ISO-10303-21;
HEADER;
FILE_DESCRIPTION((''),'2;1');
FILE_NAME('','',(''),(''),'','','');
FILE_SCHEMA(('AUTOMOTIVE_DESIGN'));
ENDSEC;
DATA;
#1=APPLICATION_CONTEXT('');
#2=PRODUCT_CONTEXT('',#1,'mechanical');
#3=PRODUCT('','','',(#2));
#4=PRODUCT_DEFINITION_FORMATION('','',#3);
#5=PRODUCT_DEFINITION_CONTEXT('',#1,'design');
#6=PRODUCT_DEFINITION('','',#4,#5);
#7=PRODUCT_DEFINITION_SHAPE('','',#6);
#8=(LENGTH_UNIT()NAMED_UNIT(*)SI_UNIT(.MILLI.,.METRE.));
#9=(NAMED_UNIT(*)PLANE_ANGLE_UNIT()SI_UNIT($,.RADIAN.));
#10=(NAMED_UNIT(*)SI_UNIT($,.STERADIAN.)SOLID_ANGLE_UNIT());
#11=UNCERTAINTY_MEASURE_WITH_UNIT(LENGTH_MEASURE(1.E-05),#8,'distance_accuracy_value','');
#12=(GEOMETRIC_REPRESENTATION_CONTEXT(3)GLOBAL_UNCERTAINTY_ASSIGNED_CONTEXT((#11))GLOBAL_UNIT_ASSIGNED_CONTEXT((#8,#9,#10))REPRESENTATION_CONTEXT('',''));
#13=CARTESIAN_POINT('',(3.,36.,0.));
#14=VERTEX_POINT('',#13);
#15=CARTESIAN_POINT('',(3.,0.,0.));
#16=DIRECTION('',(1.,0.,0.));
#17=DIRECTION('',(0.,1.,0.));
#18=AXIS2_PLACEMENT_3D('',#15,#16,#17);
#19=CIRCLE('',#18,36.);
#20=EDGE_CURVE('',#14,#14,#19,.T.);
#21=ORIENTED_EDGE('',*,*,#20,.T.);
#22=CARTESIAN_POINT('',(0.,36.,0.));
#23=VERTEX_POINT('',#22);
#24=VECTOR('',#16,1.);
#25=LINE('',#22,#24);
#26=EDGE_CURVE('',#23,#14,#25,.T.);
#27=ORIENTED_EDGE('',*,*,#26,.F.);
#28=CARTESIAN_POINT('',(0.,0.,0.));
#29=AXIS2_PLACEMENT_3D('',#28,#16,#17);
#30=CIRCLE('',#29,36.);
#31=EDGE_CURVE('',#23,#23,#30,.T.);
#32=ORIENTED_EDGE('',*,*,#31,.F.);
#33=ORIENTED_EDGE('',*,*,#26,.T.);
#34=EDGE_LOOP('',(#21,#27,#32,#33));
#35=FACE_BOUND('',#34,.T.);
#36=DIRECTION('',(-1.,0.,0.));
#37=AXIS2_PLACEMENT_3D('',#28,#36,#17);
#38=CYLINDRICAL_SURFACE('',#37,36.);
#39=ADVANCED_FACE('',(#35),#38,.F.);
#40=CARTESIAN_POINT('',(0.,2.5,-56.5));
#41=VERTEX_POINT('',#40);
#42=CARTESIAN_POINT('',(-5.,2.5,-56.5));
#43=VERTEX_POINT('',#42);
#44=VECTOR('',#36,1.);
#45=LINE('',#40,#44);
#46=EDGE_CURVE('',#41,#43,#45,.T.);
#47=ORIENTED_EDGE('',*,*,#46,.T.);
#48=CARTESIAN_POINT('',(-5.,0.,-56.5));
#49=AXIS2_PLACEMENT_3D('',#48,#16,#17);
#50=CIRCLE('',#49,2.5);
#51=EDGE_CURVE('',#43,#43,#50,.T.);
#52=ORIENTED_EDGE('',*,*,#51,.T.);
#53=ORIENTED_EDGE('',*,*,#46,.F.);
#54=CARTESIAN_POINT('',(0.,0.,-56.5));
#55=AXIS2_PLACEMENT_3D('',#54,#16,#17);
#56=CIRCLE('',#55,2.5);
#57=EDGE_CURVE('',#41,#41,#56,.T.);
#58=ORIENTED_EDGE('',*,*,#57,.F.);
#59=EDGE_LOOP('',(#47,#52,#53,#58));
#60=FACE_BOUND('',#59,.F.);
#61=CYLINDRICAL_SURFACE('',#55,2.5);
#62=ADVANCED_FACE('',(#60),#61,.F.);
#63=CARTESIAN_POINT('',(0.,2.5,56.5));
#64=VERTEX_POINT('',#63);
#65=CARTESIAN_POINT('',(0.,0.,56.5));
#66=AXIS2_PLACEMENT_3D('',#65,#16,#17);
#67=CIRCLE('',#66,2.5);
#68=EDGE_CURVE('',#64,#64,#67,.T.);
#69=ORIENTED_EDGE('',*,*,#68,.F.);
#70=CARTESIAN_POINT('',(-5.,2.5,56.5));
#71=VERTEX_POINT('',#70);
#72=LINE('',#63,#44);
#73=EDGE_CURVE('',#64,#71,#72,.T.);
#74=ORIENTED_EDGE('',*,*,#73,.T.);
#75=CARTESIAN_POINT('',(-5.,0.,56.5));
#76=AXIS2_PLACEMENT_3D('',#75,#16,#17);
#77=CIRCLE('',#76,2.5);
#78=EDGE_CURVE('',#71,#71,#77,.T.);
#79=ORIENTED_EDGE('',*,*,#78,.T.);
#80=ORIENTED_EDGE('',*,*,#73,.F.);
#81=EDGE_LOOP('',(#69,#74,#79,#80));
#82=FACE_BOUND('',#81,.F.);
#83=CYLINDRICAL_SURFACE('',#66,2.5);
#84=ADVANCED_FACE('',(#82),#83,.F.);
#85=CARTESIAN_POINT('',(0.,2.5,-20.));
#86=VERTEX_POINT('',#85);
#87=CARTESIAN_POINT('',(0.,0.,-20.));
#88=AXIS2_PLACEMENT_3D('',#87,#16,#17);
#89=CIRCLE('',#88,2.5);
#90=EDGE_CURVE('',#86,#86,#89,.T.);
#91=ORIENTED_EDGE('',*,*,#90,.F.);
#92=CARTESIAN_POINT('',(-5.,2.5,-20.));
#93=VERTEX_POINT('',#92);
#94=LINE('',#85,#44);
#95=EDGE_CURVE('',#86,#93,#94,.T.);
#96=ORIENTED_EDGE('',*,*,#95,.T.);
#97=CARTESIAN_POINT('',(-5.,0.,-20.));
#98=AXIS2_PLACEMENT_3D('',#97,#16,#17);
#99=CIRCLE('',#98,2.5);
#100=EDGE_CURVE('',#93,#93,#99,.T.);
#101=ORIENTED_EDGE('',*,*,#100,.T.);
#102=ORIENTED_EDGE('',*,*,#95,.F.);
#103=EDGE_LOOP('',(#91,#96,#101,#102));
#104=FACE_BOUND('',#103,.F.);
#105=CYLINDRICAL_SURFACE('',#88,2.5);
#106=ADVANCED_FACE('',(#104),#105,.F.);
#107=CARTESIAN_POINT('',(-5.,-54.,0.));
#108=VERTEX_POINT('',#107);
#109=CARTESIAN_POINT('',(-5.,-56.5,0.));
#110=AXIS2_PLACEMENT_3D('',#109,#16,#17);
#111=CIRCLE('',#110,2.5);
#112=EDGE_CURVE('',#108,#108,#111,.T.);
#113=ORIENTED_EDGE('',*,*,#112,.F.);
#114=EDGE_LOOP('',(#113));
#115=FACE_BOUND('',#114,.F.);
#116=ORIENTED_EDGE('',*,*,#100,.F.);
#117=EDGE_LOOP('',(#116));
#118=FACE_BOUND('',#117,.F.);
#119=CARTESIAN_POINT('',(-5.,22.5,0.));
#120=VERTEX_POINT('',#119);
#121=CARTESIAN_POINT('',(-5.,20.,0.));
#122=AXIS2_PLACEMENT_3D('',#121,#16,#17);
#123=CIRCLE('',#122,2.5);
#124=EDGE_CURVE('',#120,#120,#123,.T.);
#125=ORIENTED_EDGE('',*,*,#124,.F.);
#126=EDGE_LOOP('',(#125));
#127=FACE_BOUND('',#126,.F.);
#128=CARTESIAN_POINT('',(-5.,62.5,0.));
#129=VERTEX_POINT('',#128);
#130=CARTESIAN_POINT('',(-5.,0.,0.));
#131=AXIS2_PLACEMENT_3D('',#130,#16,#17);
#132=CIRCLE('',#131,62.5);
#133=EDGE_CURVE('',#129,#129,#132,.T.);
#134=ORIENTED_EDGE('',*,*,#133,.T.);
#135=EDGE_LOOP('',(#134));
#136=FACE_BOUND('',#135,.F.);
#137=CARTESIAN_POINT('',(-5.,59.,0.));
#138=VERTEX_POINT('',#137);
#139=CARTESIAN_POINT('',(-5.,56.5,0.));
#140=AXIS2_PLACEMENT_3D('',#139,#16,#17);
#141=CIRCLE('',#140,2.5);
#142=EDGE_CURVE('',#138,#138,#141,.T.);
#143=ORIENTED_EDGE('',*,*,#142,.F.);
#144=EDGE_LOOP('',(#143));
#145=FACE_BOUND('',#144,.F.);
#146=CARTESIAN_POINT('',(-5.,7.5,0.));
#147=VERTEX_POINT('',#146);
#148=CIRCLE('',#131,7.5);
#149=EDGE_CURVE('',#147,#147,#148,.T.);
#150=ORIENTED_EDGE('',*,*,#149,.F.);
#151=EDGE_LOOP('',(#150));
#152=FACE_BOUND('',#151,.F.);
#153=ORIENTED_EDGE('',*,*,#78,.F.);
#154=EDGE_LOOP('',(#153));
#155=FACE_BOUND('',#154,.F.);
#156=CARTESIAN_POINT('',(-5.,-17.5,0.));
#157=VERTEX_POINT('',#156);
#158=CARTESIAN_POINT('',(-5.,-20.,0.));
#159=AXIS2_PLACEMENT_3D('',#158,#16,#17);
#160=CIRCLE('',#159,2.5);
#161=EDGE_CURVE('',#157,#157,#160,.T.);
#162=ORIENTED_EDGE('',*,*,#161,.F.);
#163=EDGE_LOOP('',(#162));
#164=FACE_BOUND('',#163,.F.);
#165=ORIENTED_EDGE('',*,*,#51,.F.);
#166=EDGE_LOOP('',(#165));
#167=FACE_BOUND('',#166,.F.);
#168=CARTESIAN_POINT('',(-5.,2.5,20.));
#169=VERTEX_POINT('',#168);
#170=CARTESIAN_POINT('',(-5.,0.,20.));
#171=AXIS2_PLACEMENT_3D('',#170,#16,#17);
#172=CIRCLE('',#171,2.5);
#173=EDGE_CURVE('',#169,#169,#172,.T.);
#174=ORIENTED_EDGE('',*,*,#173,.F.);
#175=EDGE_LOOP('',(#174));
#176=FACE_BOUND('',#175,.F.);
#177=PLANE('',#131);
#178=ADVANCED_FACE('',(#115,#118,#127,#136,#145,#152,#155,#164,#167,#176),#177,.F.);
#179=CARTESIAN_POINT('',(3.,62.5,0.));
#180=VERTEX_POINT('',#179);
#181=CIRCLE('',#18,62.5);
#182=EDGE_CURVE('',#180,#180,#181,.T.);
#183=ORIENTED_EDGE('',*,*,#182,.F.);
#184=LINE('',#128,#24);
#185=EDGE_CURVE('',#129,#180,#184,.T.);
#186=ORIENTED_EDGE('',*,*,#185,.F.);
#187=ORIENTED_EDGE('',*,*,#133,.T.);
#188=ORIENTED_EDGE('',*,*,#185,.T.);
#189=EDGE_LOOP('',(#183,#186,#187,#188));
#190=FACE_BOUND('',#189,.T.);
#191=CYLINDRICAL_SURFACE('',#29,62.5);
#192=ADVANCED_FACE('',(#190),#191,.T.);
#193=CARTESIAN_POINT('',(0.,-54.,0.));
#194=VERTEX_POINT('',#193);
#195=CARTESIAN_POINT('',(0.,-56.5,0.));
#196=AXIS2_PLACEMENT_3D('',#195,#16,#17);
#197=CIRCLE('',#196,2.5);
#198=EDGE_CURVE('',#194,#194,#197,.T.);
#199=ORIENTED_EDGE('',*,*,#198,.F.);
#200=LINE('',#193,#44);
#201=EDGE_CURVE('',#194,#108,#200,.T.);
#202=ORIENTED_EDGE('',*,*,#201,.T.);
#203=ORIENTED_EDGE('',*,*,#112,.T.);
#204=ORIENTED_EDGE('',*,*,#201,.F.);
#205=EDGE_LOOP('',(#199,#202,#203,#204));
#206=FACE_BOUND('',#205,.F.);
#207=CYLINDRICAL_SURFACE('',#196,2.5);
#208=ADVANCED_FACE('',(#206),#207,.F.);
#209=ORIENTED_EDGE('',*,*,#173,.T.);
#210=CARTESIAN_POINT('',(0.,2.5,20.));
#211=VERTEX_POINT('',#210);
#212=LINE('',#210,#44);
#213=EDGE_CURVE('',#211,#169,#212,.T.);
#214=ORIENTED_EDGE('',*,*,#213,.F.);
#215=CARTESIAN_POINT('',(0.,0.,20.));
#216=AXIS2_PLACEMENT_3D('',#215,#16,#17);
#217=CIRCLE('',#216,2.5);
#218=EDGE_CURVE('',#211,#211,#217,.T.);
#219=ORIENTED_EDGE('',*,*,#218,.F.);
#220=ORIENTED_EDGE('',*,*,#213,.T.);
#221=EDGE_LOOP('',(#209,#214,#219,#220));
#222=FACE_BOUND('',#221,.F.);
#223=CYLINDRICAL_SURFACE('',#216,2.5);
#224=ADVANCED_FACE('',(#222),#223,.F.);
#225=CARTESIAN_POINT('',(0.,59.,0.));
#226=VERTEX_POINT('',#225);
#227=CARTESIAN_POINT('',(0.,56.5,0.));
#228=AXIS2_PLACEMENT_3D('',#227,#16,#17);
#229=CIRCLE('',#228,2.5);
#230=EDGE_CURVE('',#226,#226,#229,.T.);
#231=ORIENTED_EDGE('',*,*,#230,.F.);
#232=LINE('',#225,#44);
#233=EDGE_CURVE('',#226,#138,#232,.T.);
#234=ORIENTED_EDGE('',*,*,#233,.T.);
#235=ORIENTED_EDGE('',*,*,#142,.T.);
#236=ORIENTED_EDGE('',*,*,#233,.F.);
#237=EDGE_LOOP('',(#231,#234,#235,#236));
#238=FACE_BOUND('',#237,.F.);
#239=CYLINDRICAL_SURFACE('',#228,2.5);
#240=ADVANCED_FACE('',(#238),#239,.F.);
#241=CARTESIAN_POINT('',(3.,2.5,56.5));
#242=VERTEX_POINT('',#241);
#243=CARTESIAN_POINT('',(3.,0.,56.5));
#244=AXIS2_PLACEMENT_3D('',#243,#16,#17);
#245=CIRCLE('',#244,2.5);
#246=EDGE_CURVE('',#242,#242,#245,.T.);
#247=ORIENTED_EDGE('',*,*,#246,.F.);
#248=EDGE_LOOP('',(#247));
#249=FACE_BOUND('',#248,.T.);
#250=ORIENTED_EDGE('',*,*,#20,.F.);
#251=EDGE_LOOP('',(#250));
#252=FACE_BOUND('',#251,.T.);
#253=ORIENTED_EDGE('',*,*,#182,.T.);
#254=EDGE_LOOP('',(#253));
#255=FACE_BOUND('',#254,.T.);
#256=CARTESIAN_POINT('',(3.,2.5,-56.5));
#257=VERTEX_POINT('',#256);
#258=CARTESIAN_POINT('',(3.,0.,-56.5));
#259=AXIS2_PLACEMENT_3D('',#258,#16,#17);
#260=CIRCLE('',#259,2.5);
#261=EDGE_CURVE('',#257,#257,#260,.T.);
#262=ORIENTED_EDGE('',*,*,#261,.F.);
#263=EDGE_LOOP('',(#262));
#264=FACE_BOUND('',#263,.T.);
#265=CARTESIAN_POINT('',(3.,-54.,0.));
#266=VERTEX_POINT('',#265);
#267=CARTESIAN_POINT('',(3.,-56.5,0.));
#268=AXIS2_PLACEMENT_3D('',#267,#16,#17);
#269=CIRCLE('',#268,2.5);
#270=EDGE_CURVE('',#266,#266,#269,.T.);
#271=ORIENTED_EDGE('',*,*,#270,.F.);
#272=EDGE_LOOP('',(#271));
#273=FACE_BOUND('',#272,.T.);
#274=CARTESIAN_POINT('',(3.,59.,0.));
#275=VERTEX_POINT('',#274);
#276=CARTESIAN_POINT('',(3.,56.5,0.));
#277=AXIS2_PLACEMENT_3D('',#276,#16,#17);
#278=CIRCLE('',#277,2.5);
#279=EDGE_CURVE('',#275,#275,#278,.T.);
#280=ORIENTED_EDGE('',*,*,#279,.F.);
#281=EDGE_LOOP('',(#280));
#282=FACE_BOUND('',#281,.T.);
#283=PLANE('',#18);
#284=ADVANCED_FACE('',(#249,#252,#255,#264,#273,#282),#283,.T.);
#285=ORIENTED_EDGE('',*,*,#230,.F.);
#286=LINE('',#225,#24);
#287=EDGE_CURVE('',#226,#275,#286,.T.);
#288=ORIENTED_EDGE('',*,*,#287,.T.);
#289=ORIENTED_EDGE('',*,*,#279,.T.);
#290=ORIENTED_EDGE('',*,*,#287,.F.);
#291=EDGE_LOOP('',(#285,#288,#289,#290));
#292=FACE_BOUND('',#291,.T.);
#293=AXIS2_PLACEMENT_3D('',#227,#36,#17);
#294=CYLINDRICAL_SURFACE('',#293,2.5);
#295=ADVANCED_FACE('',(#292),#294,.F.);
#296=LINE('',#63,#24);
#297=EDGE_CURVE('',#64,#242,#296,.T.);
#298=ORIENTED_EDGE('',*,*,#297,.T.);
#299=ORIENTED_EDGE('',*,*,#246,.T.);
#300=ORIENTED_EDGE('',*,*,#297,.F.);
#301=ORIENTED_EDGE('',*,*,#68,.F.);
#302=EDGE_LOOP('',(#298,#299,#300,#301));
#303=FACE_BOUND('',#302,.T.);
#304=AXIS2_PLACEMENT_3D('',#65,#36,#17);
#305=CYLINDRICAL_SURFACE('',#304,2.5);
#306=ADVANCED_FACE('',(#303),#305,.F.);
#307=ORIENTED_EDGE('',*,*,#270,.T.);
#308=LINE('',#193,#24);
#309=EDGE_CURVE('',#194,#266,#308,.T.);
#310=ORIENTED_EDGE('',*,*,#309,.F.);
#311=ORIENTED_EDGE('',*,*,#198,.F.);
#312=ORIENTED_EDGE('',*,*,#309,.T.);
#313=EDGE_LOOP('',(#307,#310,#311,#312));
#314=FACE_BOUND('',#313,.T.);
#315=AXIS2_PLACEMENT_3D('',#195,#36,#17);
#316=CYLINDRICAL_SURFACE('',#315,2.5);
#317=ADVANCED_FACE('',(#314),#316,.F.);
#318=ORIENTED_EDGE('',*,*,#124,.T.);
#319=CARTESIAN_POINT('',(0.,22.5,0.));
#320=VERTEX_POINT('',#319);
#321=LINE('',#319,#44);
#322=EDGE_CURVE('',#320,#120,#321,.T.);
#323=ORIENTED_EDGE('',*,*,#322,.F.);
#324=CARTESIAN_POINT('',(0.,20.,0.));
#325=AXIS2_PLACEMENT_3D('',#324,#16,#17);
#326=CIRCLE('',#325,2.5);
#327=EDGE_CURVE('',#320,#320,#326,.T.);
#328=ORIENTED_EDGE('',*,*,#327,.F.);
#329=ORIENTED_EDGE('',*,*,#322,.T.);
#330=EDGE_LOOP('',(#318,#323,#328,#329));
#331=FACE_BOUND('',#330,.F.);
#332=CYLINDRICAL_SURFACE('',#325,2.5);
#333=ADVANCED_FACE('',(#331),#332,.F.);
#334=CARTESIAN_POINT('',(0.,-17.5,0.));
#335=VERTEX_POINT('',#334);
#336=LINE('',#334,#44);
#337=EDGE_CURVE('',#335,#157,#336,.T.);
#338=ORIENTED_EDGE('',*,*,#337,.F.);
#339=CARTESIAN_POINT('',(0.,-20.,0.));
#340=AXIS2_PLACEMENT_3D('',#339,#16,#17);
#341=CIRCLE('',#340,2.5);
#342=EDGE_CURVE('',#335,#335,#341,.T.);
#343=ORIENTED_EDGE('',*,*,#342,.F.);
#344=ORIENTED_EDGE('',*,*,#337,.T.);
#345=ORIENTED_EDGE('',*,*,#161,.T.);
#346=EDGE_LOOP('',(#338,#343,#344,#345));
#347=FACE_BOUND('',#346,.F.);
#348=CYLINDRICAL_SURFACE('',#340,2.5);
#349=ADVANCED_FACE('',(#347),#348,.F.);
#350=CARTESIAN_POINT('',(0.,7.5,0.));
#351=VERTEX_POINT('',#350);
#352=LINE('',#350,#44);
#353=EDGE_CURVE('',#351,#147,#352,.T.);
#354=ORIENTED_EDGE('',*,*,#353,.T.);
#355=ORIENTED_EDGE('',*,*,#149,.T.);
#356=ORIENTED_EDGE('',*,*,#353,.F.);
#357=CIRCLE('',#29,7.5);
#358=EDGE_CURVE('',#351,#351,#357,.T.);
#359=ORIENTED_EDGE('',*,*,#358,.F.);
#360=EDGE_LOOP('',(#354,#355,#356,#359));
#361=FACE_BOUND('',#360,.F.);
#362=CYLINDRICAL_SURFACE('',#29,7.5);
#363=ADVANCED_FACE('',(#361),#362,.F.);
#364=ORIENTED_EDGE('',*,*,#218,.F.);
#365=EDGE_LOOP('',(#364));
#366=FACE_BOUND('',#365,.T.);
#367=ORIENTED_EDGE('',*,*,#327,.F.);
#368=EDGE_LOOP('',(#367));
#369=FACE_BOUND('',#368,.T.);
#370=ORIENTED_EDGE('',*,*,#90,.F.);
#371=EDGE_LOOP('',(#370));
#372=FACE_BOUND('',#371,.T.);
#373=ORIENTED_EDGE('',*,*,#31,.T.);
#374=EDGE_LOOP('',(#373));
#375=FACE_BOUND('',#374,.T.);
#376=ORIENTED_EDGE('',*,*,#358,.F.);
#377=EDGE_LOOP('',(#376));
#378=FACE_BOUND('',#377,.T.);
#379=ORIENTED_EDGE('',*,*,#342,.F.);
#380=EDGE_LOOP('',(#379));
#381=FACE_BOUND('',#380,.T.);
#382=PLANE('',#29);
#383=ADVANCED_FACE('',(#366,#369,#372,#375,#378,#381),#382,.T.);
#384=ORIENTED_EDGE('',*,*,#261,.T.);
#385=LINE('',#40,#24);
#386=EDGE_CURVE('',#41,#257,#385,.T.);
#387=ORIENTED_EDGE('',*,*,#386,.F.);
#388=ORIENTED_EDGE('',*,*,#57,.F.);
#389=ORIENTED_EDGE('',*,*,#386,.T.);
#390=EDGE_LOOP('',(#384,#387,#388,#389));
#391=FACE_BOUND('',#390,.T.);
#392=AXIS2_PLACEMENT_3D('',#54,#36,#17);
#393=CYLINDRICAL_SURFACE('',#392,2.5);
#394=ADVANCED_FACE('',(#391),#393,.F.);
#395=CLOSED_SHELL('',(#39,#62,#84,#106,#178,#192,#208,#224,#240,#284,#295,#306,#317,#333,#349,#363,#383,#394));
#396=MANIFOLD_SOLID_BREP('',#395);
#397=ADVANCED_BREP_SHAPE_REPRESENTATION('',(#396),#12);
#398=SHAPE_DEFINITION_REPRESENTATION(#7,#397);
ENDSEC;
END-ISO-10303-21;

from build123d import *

# Parameters (mm, degrees)
F0_R     = 62.5
F0_R_2   = 2.5
F0_R_3   = 36
F1_DEPTH = 3
F0_R_4   = 7.5
F2_DEPTH = 5


with BuildPart() as f1:
    # F0 (on Right) → F1 (new body)
    with BuildSketch(Plane.YZ):
        Circle(F0_R)
        with Locations((0, -56.5)):
            Circle(F0_R_2, mode=Mode.SUBTRACT)
        with Locations((-56.5, 0)):
            Circle(F0_R_2, mode=Mode.SUBTRACT)
        Circle(F0_R_3, mode=Mode.SUBTRACT)
        with Locations((56.5, 0)):
            Circle(F0_R_2, mode=Mode.SUBTRACT)
        with Locations((0, 56.5)):
            Circle(F0_R_2, mode=Mode.SUBTRACT)
    extrude(amount=F1_DEPTH)

    # F0 (on Right) → F2 (join)
    with BuildSketch(Plane.YZ):
        Circle(F0_R)
        with Locations((0, -56.5)):
            Circle(F0_R_2, mode=Mode.SUBTRACT)
        with Locations((-56.5, 0)):
            Circle(F0_R_2, mode=Mode.SUBTRACT)
        Circle(F0_R_3, mode=Mode.SUBTRACT)
        with Locations((56.5, 0)):
            Circle(F0_R_2, mode=Mode.SUBTRACT)
        with Locations((0, 56.5)):
            Circle(F0_R_2, mode=Mode.SUBTRACT)
        Circle(F0_R_3)
        with Locations((0, -20)):
            Circle(F0_R_2, mode=Mode.SUBTRACT)
        with Locations((-20, 0)):
            Circle(F0_R_2, mode=Mode.SUBTRACT)
        Circle(F0_R_4, mode=Mode.SUBTRACT)
        with Locations((20, 0)):
            Circle(F0_R_2, mode=Mode.SUBTRACT)
        with Locations((0, 20)):
            Circle(F0_R_2, mode=Mode.SUBTRACT)
    extrude(amount=-F2_DEPTH)


solid = f1.part
